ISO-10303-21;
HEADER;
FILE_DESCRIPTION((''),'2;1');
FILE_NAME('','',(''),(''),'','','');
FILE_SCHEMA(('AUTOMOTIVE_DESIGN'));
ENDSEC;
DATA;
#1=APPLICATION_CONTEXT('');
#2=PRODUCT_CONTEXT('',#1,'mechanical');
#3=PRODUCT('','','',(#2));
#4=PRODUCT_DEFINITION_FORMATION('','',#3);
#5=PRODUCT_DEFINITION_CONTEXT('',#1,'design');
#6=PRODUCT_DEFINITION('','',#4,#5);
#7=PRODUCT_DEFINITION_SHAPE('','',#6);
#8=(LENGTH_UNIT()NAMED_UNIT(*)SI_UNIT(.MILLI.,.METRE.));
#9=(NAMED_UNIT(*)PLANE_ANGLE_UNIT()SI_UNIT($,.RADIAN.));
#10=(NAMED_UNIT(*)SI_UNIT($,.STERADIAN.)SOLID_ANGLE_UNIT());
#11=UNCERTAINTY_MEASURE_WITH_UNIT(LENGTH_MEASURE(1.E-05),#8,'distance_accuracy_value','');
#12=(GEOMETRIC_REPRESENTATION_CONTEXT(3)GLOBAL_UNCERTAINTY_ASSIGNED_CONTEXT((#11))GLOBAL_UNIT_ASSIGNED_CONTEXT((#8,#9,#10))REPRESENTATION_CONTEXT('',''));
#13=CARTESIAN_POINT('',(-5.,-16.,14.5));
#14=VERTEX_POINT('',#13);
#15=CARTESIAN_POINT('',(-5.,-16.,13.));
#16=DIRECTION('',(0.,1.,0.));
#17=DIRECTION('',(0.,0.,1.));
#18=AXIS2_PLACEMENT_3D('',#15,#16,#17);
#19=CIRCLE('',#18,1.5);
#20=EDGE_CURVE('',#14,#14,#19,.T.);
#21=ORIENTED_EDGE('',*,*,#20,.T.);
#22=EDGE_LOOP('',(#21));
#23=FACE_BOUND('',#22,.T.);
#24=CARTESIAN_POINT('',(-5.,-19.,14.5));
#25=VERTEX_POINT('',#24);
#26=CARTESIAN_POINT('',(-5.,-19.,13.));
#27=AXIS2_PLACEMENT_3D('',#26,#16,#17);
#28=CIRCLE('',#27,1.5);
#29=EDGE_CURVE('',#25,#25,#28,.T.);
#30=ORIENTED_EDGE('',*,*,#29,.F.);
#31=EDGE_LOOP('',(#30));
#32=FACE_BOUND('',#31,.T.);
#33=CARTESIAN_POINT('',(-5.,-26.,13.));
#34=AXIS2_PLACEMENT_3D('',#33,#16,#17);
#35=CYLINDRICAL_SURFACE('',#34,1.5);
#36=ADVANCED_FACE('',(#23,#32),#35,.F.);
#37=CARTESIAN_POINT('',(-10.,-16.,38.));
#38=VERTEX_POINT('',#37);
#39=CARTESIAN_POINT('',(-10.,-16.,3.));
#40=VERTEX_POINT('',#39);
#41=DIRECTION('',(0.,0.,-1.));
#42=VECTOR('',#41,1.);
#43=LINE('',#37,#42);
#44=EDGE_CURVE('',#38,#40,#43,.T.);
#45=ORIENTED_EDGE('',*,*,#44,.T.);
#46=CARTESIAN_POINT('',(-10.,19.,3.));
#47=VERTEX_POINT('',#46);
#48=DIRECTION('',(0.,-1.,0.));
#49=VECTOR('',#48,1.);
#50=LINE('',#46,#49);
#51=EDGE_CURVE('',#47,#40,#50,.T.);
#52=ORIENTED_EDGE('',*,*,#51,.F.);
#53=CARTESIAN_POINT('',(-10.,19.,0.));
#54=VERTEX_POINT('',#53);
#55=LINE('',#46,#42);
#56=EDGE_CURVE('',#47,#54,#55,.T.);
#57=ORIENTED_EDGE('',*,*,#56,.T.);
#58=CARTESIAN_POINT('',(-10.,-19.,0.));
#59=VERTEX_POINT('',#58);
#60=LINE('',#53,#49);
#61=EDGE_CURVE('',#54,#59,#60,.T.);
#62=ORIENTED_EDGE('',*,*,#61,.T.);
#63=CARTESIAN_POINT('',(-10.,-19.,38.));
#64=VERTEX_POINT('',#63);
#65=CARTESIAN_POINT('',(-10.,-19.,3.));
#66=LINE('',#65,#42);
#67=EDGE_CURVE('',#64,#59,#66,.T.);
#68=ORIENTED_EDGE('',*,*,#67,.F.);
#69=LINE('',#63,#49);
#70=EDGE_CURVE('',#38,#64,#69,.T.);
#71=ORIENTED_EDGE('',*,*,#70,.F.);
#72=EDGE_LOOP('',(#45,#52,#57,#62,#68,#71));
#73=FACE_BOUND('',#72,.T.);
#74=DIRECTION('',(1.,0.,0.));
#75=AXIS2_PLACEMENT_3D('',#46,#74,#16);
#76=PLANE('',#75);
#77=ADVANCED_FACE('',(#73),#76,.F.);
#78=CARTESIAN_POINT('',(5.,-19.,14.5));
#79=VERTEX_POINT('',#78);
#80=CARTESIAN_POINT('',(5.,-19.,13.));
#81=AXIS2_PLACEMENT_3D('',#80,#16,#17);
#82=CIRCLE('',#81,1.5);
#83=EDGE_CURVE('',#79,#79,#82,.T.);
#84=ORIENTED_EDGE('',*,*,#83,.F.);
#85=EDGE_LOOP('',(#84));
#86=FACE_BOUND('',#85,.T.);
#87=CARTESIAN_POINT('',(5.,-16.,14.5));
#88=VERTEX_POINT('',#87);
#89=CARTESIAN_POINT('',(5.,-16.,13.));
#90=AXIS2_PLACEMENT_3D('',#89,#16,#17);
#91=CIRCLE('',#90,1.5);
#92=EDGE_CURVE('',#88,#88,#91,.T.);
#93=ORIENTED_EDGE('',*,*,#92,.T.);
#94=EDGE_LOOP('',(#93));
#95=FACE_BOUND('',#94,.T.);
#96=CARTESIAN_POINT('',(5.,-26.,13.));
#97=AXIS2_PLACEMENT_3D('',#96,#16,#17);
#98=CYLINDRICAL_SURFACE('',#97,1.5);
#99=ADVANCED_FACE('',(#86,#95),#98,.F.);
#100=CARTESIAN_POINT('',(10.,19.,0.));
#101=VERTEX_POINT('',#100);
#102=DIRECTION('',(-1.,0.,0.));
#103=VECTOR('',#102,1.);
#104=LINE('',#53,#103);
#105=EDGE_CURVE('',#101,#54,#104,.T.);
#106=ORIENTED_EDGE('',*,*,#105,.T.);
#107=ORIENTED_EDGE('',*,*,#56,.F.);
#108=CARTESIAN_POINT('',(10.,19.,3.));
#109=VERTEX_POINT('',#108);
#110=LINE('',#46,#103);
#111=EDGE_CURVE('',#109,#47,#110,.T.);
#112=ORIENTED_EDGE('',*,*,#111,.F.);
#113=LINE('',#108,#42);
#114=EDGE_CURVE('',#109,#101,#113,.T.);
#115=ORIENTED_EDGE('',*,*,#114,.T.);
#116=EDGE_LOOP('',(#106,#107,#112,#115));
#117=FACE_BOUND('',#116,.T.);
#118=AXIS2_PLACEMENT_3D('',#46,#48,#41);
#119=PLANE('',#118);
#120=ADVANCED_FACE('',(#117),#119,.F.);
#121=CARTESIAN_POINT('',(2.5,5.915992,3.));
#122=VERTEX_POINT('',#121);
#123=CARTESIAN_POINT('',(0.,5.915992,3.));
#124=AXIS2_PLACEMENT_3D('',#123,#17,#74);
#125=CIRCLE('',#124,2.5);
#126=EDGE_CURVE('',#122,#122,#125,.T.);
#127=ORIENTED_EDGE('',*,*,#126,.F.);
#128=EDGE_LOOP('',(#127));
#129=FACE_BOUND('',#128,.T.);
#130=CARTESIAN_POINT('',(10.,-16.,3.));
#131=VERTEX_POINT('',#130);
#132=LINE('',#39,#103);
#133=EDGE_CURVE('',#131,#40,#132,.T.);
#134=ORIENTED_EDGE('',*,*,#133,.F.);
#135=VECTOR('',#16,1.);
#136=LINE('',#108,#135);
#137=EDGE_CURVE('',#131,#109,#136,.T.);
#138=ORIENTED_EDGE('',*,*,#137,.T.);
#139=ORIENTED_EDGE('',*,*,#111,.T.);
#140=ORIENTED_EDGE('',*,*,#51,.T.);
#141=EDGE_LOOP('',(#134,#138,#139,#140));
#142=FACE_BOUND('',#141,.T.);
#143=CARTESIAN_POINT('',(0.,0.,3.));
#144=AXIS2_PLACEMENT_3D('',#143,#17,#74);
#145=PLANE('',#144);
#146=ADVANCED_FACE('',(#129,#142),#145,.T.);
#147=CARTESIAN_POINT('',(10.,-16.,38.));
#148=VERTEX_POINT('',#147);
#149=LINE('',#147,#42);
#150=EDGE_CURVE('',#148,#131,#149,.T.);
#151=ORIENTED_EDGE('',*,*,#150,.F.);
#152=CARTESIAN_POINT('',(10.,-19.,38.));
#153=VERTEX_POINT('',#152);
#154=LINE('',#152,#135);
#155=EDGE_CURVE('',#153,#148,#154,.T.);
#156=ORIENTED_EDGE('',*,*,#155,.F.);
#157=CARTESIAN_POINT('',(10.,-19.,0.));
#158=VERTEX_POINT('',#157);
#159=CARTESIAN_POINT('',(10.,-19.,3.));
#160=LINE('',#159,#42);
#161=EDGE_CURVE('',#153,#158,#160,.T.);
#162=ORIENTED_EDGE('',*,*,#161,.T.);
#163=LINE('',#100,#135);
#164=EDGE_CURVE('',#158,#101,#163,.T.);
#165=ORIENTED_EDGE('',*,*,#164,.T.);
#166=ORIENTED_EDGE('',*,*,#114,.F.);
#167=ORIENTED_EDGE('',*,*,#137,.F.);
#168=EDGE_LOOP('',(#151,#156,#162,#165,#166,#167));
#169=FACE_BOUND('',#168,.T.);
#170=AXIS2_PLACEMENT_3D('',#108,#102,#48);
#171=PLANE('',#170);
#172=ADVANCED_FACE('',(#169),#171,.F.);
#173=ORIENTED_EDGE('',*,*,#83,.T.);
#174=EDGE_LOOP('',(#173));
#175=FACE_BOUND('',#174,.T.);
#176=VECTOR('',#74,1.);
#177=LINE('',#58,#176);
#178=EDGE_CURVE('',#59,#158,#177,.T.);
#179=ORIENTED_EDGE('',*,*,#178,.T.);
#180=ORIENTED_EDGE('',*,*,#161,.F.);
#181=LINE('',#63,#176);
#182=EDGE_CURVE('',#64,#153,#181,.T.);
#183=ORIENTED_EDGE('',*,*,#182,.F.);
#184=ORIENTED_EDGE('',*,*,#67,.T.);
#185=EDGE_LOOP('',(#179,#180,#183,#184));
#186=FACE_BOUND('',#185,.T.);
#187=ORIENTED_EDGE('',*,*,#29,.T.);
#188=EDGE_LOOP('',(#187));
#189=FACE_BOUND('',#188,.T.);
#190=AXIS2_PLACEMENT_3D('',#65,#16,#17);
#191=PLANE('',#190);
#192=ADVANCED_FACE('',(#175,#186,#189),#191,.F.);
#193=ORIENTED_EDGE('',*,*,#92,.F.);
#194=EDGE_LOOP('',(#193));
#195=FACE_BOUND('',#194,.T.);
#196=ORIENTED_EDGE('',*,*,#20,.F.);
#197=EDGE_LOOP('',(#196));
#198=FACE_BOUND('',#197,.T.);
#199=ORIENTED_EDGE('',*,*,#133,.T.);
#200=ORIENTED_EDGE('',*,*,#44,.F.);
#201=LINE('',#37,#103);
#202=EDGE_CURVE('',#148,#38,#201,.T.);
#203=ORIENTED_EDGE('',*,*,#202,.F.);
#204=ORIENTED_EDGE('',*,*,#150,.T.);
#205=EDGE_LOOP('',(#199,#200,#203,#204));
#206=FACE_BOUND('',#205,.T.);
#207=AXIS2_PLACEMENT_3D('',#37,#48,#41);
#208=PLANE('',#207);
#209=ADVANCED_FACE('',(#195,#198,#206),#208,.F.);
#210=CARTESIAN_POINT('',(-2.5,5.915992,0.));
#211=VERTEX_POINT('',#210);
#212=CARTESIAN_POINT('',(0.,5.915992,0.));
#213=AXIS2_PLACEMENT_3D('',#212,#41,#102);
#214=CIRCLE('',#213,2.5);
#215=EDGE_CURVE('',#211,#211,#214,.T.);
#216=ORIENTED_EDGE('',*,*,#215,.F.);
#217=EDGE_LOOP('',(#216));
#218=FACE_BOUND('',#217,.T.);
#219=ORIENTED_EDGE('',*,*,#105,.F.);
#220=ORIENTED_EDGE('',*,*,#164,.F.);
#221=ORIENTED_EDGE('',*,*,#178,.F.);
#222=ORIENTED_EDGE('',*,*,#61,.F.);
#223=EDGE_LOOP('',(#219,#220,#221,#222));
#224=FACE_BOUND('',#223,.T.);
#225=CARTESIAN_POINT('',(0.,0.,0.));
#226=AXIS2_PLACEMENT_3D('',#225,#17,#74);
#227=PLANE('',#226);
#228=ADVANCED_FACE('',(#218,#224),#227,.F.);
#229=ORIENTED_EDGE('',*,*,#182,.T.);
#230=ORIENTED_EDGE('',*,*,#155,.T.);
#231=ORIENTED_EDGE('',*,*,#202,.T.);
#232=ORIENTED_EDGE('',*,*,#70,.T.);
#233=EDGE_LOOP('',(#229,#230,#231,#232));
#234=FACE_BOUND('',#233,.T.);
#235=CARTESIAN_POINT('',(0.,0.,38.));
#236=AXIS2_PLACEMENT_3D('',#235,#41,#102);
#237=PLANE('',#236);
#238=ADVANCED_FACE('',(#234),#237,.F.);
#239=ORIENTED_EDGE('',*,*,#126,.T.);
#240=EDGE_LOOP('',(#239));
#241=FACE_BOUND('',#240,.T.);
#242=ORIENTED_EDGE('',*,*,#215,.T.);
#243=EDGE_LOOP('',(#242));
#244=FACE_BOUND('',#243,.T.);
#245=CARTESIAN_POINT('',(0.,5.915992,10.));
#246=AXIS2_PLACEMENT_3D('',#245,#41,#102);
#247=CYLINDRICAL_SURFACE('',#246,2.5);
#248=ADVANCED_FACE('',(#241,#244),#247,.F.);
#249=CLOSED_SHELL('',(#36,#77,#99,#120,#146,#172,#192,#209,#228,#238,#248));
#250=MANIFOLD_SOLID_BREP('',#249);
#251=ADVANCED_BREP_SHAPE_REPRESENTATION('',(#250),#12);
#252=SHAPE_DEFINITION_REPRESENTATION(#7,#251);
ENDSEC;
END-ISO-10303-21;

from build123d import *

# Parameters (mm, degrees)
SKETCH_1_W          = 20
SKETCH_1_H          = 38
EXTRUDE_1_DEPTH     = 3
SKETCH_2_W          = 20
SKETCH_2_H          = 3
EXTRUDE_2_DEPTH     = 35
SKETCH_3_R          = 2.5
CUT_EXTRUDE_1_DEPTH = 10
SKETCH_4_R          = 1.5
CUT_EXTRUDE_2_DEPTH = 10


with BuildPart() as part:
    # 草图1 → 凸台-拉伸1 (new body)
    with BuildSketch(Plane.XY):
        Rectangle(SKETCH_1_W, SKETCH_1_H)
    extrude(amount=EXTRUDE_1_DEPTH)

    # 草图2 → 凸台-拉伸2 (add)
    with BuildSketch(Plane.XY.offset(3)):
        with Locations((0, -17.5)):
            Rectangle(SKETCH_2_W, SKETCH_2_H)
    extrude(amount=EXTRUDE_2_DEPTH)

    # 草图3 → 切除-拉伸1 (cut)
    with BuildSketch(Plane(origin=(0, 0, 0), x_dir=(-1, 0, 0), z_dir=(0, 0, -1))):
        with Locations((0, 5.915992135)):
            Circle(SKETCH_3_R)
    extrude(amount=-CUT_EXTRUDE_1_DEPTH, mode=Mode.SUBTRACT)

    # 草图4 → 切除-拉伸2 (cut)
    with BuildSketch(Plane(origin=(0, -16, 0), x_dir=(1, 0, 0), z_dir=(0, 1, 0))):
        with Locations(Location((-5, -13, 0), (0, 0, 270))):
            Circle(SKETCH_4_R)
        with Locations(Location((5, -13, 0), (0, 0, 270))):
            Circle(SKETCH_4_R)
    extrude(amount=-CUT_EXTRUDE_2_DEPTH, mode=Mode.SUBTRACT)


solid = part.part
